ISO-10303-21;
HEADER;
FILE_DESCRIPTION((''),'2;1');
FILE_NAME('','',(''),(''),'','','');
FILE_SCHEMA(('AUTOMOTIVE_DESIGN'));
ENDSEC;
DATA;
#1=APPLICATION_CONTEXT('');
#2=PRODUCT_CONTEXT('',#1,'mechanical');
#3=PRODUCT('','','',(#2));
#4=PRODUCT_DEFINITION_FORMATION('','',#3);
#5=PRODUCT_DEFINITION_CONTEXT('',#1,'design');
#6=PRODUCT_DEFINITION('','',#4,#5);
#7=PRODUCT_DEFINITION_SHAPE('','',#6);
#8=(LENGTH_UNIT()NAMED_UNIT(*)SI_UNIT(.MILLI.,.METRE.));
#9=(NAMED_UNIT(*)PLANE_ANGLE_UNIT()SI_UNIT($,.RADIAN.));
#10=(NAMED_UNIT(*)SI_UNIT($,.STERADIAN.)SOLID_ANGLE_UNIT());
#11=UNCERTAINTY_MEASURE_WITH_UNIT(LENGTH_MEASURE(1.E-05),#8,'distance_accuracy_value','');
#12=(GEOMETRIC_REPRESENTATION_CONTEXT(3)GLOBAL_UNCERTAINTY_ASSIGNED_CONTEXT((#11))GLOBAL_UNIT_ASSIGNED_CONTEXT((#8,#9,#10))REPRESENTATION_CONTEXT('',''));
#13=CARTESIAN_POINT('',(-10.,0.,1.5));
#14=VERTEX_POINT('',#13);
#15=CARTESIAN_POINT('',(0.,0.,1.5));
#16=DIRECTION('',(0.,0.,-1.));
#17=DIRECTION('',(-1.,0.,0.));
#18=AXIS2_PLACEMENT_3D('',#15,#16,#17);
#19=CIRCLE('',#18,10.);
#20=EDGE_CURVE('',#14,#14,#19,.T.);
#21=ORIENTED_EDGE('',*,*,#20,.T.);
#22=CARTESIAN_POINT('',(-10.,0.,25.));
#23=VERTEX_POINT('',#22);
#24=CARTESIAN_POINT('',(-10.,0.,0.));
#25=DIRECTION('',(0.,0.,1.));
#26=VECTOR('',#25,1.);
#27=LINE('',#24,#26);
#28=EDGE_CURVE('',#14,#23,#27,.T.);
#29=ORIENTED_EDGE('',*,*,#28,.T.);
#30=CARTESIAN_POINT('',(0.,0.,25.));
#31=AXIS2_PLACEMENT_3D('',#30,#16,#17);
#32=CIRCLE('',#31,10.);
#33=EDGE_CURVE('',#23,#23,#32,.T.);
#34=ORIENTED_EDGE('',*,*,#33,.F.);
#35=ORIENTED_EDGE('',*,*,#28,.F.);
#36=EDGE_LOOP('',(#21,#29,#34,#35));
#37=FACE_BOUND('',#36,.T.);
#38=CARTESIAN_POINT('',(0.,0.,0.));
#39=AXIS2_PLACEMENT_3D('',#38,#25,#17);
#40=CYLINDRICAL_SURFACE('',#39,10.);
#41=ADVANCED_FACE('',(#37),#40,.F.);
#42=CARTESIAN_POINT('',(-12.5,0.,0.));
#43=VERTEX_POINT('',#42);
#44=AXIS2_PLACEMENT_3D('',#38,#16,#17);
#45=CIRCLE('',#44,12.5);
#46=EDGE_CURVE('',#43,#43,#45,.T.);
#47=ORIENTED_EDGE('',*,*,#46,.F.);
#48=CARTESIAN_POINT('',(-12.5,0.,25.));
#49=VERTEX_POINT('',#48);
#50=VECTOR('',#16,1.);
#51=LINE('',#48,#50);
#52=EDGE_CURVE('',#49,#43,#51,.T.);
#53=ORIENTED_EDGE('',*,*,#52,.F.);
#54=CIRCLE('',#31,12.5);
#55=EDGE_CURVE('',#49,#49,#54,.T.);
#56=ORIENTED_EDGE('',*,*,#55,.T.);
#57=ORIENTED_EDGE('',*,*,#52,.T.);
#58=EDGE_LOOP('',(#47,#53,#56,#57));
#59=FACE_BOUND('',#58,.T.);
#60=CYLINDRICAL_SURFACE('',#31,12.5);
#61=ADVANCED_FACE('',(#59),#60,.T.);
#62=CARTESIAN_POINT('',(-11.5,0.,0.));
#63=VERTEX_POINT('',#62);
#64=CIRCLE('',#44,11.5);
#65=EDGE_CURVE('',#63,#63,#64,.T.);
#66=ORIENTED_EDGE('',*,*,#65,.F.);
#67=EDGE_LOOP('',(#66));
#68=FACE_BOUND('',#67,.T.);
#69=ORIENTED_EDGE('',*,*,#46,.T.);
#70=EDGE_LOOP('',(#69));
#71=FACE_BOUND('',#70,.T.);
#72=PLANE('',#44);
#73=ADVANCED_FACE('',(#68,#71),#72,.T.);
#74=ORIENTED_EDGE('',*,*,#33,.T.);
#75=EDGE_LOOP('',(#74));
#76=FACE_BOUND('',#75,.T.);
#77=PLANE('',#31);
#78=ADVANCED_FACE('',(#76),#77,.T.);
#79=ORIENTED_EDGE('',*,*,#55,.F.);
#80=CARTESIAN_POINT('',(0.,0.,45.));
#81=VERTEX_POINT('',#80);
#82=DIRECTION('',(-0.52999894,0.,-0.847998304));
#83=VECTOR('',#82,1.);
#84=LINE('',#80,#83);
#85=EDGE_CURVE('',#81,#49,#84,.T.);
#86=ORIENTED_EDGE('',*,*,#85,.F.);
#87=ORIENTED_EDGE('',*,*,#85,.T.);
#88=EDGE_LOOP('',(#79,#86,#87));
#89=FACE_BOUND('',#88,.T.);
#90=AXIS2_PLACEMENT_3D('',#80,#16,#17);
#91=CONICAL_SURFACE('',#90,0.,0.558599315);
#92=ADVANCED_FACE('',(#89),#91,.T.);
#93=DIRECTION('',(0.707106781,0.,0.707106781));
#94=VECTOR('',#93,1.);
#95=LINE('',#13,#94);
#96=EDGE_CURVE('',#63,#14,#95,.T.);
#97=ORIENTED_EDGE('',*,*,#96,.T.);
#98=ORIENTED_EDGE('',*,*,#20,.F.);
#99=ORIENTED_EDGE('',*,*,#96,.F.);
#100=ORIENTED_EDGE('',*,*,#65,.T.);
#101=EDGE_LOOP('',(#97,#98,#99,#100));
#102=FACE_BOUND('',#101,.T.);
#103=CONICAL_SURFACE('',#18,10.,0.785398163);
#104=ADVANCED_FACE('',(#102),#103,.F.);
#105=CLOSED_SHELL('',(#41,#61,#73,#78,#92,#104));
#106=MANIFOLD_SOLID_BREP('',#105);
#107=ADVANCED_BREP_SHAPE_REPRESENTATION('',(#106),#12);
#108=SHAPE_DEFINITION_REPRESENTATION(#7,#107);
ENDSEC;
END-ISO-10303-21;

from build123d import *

# Parameters (mm, degrees)
F2_SIZE = 1.5


with BuildPart() as f1:
    # F0 (on Front) → F1 (revolve)
    with BuildSketch(Plane.XZ):
        Polygon((-10, 25), (0, 25), (0, 45), (-12.5, 25), (-12.5, 0), (-10, 0), align=None)
    revolve(axis=Axis((0, 0, 11.394946), (0, 0, -1)))

    # F2
    f2_edges = [f1.edges().sort_by_distance(p)[0] for p in [
        (10, 0, 0),
    ]]
    chamfer(f2_edges, length=F2_SIZE)


solid = f1.part
